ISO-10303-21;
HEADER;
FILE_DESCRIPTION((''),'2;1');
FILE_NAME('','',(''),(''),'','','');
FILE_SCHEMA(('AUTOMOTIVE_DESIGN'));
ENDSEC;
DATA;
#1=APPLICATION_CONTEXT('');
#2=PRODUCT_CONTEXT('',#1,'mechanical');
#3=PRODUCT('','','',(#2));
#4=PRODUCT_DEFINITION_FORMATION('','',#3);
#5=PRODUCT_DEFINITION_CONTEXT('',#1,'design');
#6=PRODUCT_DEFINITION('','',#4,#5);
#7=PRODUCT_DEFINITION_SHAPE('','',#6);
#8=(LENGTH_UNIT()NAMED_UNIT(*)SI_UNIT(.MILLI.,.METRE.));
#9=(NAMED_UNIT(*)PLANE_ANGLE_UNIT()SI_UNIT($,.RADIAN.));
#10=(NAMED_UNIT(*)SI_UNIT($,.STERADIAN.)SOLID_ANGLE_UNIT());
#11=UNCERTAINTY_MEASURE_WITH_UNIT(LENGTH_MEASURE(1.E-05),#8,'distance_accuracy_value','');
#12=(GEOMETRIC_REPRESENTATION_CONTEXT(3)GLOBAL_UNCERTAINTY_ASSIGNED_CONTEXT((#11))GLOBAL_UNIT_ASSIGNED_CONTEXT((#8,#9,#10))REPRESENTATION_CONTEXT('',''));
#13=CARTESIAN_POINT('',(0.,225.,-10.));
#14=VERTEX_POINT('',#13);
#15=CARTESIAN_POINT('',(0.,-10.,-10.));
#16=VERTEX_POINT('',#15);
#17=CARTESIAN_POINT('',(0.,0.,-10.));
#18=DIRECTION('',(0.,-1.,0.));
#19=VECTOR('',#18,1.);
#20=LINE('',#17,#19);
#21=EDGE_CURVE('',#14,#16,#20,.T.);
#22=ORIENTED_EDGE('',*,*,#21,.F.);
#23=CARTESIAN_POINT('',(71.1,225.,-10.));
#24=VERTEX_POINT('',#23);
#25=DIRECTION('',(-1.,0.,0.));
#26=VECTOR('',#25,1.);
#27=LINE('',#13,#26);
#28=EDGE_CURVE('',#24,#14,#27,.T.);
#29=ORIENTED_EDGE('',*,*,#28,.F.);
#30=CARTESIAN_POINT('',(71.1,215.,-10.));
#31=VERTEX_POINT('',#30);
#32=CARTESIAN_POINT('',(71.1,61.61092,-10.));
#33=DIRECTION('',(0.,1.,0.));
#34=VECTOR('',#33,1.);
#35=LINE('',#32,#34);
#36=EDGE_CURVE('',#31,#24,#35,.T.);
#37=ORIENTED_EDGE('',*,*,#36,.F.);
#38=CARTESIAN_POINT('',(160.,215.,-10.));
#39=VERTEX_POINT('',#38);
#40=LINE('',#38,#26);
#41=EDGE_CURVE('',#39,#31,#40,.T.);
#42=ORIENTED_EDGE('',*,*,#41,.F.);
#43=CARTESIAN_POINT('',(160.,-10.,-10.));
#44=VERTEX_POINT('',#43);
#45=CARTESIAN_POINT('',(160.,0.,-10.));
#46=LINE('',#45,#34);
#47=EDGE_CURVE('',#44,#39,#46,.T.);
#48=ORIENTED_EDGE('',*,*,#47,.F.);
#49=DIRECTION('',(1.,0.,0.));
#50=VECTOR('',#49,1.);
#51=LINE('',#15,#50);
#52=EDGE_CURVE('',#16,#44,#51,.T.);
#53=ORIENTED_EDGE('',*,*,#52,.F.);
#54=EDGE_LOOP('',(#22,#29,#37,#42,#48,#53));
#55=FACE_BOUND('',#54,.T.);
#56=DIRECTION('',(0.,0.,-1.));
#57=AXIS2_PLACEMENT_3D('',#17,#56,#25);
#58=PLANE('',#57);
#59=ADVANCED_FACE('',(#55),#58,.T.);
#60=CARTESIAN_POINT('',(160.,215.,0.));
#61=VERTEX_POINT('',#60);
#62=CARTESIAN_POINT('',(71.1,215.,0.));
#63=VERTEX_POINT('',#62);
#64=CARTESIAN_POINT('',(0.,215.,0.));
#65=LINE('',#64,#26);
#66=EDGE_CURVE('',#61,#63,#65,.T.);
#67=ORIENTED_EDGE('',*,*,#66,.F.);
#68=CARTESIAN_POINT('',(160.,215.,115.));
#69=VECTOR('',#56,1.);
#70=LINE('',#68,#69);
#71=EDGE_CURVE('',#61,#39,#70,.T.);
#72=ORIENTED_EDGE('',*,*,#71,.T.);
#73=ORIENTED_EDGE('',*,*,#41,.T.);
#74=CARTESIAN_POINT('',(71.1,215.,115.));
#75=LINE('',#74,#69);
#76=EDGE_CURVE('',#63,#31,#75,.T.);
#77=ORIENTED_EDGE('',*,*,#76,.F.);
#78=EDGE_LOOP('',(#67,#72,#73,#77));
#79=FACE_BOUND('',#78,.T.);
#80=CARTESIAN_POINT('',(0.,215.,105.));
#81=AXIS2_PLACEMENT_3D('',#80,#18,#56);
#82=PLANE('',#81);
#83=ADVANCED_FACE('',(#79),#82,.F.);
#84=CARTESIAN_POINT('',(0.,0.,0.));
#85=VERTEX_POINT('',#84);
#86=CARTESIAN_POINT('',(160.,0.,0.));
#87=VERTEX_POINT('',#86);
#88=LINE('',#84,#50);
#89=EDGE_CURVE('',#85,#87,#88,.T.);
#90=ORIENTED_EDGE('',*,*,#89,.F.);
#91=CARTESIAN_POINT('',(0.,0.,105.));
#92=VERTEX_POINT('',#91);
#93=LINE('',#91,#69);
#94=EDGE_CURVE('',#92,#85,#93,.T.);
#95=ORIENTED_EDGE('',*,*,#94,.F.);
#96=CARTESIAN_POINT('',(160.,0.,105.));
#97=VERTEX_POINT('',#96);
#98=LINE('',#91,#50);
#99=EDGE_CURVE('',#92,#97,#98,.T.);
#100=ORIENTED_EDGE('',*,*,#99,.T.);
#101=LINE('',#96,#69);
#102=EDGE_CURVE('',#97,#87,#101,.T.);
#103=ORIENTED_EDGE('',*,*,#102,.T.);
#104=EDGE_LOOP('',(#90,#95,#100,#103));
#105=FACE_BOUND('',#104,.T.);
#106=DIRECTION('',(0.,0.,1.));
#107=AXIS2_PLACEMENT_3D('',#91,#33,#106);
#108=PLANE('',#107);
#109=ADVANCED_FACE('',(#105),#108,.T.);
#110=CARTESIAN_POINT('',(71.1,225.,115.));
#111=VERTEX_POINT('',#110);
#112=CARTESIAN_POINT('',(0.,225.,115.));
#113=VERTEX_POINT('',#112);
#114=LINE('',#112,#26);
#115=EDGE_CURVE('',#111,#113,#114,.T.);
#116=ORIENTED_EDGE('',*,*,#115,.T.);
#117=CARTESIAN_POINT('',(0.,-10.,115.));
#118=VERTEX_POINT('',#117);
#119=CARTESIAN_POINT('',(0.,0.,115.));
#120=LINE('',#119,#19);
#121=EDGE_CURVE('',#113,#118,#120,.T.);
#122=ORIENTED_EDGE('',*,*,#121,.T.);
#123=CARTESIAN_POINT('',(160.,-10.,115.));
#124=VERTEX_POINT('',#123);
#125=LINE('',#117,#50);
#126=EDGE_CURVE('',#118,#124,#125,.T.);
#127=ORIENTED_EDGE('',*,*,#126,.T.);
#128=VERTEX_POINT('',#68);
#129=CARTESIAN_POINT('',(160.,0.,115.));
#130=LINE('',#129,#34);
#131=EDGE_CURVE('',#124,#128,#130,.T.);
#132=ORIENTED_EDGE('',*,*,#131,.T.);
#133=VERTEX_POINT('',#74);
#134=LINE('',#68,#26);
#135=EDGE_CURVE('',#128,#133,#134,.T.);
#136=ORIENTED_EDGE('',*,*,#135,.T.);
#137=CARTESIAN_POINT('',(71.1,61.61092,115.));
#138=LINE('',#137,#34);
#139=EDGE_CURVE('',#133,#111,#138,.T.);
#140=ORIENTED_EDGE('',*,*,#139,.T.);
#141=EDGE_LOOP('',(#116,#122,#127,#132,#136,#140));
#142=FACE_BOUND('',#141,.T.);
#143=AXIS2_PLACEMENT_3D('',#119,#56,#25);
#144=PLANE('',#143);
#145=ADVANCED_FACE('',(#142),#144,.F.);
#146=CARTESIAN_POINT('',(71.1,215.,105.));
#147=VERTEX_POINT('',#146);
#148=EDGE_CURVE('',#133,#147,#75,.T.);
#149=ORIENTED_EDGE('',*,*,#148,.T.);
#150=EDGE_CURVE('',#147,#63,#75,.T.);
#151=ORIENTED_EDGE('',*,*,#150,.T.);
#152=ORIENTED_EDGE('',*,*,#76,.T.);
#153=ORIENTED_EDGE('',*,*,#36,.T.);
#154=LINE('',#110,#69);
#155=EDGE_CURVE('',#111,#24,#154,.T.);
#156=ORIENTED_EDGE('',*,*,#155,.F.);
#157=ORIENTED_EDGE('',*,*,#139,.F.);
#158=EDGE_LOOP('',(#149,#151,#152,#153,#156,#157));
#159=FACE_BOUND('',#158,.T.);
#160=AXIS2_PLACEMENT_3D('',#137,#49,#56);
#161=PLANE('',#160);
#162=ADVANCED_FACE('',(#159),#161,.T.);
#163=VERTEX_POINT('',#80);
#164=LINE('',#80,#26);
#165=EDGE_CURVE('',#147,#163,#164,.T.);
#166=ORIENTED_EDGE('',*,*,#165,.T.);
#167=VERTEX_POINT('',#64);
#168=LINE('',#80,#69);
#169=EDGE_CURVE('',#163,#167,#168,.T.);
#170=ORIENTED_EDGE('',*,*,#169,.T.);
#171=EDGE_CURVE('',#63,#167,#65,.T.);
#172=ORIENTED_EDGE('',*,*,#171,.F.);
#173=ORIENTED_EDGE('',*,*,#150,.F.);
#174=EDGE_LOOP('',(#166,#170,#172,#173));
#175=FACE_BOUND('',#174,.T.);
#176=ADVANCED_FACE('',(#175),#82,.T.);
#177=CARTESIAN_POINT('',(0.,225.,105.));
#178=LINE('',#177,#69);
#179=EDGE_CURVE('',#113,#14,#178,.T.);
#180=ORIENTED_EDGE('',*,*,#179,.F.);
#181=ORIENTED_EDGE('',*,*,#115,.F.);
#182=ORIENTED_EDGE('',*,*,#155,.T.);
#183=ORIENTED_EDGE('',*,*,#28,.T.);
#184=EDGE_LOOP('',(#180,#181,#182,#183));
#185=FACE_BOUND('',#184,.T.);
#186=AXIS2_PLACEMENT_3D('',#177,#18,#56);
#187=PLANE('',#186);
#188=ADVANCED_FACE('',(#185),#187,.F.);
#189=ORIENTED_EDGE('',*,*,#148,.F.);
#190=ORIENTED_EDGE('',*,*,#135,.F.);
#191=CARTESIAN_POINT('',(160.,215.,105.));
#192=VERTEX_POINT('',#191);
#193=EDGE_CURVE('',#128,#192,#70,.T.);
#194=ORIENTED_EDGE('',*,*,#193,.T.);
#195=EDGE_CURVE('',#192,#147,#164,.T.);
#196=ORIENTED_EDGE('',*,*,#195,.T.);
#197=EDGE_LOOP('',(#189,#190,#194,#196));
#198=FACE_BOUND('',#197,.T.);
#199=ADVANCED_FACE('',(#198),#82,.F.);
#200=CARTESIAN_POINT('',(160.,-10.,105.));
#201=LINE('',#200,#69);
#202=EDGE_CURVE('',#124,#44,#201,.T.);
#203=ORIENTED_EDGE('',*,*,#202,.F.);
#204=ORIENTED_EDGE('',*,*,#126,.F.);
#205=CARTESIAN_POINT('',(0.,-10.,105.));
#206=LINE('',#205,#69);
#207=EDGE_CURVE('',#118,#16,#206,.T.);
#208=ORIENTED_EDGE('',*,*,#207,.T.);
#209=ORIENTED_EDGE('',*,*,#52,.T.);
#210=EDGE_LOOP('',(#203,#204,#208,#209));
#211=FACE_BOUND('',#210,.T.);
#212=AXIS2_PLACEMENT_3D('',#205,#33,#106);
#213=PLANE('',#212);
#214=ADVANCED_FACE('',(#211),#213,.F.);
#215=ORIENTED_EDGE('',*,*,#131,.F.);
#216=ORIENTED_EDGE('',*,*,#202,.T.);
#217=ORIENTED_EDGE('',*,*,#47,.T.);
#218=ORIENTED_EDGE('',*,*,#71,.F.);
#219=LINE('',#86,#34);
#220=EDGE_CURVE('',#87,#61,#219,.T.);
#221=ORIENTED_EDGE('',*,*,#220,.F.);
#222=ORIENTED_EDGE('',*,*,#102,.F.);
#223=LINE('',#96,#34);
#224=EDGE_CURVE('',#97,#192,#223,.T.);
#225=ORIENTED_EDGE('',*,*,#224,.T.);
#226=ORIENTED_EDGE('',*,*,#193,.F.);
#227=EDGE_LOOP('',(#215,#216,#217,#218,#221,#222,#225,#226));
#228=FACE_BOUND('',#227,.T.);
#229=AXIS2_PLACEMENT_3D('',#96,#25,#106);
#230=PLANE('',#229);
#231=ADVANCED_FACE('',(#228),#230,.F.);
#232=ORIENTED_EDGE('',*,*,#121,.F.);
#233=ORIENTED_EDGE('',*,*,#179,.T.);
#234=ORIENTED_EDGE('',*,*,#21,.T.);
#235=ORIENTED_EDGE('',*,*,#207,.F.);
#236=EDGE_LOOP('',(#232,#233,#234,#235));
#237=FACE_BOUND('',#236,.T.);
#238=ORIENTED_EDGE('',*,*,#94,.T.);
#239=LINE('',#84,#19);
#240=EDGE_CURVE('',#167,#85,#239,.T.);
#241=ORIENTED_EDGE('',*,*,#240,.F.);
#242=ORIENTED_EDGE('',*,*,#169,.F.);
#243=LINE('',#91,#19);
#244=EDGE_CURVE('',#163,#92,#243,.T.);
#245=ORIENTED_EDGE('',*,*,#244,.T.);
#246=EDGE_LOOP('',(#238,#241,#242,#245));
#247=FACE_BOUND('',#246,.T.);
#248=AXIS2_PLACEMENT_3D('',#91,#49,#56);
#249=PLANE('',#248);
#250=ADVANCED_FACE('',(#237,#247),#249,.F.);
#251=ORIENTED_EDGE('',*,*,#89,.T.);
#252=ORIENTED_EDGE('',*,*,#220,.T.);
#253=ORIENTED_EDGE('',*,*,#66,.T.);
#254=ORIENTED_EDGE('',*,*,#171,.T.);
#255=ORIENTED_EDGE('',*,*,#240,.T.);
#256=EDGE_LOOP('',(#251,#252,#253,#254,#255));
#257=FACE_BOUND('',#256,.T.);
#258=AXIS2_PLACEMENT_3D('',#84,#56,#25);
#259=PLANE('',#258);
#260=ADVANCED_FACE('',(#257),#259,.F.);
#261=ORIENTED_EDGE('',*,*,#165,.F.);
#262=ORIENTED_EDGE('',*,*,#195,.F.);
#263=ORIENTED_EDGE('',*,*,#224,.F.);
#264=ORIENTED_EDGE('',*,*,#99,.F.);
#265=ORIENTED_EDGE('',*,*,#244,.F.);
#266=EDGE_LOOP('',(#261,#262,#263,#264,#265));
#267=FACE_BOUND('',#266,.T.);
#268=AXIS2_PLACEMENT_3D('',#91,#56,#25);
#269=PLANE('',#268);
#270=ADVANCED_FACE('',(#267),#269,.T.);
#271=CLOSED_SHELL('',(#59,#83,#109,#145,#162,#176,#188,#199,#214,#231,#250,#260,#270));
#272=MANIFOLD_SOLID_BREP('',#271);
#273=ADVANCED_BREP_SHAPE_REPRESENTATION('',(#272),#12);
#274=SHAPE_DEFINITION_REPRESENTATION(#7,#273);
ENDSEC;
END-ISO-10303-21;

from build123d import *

# Parameters (mm, degrees)
SKETCH1_W           = 160
SKETCH1_H           = 215
BOSS_EXTRUDE1_DEPTH = 105
SHELL2_T            = 10
SKETCH6_W           = 88.9
SKETCH6_H           = 125
CUT_EXTRUDE3_DEPTH  = 10


with BuildPart() as part:
    # Sketch1 → Boss-Extrude1 (new body)
    with BuildSketch(Plane.XY):
        with Locations((80, 107.5)):
            Rectangle(SKETCH1_W, SKETCH1_H)
    extrude(amount=BOSS_EXTRUDE1_DEPTH)

    # Shell2
    shell2_openings = [part.faces().sort_by_distance(p)[0] for p in [
        (160, 107.5, 52.5),
        (0, 107.5, 52.5),
    ]]
    offset(amount=SHELL2_T, openings=shell2_openings, kind=Kind.INTERSECTION)

    # Sketch6 → Cut-Extrude3 (cut)
    with BuildSketch(Plane.XZ.offset(-225)):
        with Locations((115.55, 52.5)):
            Rectangle(SKETCH6_W, SKETCH6_H)
    extrude(amount=CUT_EXTRUDE3_DEPTH, mode=Mode.SUBTRACT)


solid = part.part
